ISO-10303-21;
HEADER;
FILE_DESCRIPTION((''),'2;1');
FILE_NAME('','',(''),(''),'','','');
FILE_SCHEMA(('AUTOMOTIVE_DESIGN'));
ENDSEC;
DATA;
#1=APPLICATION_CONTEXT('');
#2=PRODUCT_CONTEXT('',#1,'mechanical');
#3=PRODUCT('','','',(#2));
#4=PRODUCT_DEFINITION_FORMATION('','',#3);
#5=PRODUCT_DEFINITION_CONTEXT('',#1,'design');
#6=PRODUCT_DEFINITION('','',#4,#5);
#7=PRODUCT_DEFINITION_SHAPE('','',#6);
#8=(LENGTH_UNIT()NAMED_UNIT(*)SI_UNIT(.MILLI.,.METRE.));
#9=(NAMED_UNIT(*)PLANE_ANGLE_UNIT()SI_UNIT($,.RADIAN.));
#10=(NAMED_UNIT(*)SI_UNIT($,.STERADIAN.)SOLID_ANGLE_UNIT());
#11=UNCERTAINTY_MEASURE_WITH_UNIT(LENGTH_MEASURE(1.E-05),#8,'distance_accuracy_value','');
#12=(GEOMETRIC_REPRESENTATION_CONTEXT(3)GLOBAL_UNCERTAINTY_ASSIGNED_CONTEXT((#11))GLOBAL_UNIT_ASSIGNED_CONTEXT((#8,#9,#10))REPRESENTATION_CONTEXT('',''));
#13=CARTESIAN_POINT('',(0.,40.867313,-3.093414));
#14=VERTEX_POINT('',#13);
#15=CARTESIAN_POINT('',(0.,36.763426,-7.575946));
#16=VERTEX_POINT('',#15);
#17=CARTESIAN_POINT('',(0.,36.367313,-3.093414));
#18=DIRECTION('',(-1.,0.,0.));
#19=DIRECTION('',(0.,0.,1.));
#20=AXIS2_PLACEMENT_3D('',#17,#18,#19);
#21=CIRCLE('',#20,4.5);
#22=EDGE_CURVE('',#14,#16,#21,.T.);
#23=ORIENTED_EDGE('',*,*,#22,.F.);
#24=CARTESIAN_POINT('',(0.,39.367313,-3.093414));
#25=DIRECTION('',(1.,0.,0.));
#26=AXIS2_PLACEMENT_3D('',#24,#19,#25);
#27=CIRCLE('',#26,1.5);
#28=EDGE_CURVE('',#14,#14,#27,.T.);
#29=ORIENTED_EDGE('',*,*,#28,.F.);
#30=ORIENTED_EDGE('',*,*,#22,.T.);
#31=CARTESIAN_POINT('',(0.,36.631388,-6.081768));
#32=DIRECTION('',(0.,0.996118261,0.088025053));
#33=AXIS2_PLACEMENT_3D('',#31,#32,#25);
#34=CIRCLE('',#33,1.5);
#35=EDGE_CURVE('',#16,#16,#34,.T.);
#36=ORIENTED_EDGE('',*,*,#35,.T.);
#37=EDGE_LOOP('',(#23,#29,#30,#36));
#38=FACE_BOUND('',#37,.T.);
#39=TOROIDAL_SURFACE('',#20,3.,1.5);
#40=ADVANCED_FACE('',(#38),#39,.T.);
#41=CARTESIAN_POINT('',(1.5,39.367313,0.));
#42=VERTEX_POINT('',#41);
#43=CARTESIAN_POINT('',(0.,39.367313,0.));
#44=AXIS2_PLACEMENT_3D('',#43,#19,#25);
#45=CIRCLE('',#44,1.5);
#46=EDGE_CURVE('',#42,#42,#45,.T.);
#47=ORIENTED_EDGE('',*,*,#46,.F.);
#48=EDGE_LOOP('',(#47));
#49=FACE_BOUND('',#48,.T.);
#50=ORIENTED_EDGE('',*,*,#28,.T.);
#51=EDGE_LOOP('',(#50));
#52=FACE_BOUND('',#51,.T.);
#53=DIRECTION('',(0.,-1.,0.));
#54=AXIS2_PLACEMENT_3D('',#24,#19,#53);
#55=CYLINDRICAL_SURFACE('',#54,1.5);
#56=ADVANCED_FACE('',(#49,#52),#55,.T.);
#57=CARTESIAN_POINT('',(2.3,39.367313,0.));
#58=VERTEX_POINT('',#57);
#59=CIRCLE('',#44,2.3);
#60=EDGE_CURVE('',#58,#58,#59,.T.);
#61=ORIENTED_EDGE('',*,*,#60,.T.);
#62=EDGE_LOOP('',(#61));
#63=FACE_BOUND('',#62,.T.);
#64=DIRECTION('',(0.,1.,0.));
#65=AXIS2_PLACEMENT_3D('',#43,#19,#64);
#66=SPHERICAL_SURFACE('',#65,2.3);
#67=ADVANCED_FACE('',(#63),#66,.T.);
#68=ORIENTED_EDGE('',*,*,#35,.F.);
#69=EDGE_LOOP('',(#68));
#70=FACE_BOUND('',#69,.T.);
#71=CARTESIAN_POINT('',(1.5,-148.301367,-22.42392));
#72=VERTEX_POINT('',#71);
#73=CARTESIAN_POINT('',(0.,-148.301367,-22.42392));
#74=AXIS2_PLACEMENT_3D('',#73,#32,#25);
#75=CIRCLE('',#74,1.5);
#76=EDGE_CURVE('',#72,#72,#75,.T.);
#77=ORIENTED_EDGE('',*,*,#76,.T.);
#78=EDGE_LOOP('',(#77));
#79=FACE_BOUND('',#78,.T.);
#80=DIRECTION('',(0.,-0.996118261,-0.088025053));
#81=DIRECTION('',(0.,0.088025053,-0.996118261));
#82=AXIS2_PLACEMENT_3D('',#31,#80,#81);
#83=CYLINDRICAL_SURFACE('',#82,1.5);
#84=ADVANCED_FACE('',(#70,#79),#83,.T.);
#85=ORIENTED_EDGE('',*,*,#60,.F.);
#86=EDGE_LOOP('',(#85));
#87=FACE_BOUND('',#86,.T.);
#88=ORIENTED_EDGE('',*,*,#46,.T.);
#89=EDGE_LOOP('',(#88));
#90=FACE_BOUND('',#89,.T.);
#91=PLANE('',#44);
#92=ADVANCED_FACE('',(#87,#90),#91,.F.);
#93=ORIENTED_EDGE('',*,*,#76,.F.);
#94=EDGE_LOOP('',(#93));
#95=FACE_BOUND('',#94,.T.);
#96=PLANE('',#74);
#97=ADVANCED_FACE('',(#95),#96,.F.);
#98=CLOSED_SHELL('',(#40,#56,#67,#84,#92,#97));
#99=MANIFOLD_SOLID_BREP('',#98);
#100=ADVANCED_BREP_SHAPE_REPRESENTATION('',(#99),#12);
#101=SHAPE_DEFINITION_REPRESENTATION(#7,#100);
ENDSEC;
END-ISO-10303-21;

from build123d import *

# Parameters (mm, degrees)
SKETCH3_R = 1.5


with BuildPart() as part:
    # Sweep1: sweep along a path in Sketch2
    with BuildLine(Plane(origin=(0, 0, 0), x_dir=(0, 0, -1), z_dir=(1, 0, 0))) as sweep1_path:
        Line((0, 39.367313199), (3.093413629, 39.367313199))
        ThreePointArc((3.093413629, 39.367313199), (5.119218965, 38.580029344), (6.081768412, 36.631388359))
        Line((6.081768412, 36.631388359), (22.423920046, -148.301367182))
    # Sketch3 → Sweep1 (sweep)
    with BuildSketch(Plane.XY):
        with Locations((0, 39.367313199)):
            Circle(SKETCH3_R)
    sweep(path=sweep1_path.line)

    # Sketch4 → Revolve1 (revolve)
    with BuildSketch(Plane(origin=(0, 0, 0), x_dir=(0, 0, -1), z_dir=(1, 0, 0))):
        with BuildLine():
            Line((0, 39.367313199), (0, 41.667313199))
            ThreePointArc((0, 41.667313199), (-1.626345597, 40.993658795), (-2.3, 39.367313199))
            Line((-2.3, 39.367313199), (0, 39.367313199))
        make_face()
    revolve(axis=Axis((0, 39.367313199, 2.3), (0, 0, -1)))


solid = part.part
